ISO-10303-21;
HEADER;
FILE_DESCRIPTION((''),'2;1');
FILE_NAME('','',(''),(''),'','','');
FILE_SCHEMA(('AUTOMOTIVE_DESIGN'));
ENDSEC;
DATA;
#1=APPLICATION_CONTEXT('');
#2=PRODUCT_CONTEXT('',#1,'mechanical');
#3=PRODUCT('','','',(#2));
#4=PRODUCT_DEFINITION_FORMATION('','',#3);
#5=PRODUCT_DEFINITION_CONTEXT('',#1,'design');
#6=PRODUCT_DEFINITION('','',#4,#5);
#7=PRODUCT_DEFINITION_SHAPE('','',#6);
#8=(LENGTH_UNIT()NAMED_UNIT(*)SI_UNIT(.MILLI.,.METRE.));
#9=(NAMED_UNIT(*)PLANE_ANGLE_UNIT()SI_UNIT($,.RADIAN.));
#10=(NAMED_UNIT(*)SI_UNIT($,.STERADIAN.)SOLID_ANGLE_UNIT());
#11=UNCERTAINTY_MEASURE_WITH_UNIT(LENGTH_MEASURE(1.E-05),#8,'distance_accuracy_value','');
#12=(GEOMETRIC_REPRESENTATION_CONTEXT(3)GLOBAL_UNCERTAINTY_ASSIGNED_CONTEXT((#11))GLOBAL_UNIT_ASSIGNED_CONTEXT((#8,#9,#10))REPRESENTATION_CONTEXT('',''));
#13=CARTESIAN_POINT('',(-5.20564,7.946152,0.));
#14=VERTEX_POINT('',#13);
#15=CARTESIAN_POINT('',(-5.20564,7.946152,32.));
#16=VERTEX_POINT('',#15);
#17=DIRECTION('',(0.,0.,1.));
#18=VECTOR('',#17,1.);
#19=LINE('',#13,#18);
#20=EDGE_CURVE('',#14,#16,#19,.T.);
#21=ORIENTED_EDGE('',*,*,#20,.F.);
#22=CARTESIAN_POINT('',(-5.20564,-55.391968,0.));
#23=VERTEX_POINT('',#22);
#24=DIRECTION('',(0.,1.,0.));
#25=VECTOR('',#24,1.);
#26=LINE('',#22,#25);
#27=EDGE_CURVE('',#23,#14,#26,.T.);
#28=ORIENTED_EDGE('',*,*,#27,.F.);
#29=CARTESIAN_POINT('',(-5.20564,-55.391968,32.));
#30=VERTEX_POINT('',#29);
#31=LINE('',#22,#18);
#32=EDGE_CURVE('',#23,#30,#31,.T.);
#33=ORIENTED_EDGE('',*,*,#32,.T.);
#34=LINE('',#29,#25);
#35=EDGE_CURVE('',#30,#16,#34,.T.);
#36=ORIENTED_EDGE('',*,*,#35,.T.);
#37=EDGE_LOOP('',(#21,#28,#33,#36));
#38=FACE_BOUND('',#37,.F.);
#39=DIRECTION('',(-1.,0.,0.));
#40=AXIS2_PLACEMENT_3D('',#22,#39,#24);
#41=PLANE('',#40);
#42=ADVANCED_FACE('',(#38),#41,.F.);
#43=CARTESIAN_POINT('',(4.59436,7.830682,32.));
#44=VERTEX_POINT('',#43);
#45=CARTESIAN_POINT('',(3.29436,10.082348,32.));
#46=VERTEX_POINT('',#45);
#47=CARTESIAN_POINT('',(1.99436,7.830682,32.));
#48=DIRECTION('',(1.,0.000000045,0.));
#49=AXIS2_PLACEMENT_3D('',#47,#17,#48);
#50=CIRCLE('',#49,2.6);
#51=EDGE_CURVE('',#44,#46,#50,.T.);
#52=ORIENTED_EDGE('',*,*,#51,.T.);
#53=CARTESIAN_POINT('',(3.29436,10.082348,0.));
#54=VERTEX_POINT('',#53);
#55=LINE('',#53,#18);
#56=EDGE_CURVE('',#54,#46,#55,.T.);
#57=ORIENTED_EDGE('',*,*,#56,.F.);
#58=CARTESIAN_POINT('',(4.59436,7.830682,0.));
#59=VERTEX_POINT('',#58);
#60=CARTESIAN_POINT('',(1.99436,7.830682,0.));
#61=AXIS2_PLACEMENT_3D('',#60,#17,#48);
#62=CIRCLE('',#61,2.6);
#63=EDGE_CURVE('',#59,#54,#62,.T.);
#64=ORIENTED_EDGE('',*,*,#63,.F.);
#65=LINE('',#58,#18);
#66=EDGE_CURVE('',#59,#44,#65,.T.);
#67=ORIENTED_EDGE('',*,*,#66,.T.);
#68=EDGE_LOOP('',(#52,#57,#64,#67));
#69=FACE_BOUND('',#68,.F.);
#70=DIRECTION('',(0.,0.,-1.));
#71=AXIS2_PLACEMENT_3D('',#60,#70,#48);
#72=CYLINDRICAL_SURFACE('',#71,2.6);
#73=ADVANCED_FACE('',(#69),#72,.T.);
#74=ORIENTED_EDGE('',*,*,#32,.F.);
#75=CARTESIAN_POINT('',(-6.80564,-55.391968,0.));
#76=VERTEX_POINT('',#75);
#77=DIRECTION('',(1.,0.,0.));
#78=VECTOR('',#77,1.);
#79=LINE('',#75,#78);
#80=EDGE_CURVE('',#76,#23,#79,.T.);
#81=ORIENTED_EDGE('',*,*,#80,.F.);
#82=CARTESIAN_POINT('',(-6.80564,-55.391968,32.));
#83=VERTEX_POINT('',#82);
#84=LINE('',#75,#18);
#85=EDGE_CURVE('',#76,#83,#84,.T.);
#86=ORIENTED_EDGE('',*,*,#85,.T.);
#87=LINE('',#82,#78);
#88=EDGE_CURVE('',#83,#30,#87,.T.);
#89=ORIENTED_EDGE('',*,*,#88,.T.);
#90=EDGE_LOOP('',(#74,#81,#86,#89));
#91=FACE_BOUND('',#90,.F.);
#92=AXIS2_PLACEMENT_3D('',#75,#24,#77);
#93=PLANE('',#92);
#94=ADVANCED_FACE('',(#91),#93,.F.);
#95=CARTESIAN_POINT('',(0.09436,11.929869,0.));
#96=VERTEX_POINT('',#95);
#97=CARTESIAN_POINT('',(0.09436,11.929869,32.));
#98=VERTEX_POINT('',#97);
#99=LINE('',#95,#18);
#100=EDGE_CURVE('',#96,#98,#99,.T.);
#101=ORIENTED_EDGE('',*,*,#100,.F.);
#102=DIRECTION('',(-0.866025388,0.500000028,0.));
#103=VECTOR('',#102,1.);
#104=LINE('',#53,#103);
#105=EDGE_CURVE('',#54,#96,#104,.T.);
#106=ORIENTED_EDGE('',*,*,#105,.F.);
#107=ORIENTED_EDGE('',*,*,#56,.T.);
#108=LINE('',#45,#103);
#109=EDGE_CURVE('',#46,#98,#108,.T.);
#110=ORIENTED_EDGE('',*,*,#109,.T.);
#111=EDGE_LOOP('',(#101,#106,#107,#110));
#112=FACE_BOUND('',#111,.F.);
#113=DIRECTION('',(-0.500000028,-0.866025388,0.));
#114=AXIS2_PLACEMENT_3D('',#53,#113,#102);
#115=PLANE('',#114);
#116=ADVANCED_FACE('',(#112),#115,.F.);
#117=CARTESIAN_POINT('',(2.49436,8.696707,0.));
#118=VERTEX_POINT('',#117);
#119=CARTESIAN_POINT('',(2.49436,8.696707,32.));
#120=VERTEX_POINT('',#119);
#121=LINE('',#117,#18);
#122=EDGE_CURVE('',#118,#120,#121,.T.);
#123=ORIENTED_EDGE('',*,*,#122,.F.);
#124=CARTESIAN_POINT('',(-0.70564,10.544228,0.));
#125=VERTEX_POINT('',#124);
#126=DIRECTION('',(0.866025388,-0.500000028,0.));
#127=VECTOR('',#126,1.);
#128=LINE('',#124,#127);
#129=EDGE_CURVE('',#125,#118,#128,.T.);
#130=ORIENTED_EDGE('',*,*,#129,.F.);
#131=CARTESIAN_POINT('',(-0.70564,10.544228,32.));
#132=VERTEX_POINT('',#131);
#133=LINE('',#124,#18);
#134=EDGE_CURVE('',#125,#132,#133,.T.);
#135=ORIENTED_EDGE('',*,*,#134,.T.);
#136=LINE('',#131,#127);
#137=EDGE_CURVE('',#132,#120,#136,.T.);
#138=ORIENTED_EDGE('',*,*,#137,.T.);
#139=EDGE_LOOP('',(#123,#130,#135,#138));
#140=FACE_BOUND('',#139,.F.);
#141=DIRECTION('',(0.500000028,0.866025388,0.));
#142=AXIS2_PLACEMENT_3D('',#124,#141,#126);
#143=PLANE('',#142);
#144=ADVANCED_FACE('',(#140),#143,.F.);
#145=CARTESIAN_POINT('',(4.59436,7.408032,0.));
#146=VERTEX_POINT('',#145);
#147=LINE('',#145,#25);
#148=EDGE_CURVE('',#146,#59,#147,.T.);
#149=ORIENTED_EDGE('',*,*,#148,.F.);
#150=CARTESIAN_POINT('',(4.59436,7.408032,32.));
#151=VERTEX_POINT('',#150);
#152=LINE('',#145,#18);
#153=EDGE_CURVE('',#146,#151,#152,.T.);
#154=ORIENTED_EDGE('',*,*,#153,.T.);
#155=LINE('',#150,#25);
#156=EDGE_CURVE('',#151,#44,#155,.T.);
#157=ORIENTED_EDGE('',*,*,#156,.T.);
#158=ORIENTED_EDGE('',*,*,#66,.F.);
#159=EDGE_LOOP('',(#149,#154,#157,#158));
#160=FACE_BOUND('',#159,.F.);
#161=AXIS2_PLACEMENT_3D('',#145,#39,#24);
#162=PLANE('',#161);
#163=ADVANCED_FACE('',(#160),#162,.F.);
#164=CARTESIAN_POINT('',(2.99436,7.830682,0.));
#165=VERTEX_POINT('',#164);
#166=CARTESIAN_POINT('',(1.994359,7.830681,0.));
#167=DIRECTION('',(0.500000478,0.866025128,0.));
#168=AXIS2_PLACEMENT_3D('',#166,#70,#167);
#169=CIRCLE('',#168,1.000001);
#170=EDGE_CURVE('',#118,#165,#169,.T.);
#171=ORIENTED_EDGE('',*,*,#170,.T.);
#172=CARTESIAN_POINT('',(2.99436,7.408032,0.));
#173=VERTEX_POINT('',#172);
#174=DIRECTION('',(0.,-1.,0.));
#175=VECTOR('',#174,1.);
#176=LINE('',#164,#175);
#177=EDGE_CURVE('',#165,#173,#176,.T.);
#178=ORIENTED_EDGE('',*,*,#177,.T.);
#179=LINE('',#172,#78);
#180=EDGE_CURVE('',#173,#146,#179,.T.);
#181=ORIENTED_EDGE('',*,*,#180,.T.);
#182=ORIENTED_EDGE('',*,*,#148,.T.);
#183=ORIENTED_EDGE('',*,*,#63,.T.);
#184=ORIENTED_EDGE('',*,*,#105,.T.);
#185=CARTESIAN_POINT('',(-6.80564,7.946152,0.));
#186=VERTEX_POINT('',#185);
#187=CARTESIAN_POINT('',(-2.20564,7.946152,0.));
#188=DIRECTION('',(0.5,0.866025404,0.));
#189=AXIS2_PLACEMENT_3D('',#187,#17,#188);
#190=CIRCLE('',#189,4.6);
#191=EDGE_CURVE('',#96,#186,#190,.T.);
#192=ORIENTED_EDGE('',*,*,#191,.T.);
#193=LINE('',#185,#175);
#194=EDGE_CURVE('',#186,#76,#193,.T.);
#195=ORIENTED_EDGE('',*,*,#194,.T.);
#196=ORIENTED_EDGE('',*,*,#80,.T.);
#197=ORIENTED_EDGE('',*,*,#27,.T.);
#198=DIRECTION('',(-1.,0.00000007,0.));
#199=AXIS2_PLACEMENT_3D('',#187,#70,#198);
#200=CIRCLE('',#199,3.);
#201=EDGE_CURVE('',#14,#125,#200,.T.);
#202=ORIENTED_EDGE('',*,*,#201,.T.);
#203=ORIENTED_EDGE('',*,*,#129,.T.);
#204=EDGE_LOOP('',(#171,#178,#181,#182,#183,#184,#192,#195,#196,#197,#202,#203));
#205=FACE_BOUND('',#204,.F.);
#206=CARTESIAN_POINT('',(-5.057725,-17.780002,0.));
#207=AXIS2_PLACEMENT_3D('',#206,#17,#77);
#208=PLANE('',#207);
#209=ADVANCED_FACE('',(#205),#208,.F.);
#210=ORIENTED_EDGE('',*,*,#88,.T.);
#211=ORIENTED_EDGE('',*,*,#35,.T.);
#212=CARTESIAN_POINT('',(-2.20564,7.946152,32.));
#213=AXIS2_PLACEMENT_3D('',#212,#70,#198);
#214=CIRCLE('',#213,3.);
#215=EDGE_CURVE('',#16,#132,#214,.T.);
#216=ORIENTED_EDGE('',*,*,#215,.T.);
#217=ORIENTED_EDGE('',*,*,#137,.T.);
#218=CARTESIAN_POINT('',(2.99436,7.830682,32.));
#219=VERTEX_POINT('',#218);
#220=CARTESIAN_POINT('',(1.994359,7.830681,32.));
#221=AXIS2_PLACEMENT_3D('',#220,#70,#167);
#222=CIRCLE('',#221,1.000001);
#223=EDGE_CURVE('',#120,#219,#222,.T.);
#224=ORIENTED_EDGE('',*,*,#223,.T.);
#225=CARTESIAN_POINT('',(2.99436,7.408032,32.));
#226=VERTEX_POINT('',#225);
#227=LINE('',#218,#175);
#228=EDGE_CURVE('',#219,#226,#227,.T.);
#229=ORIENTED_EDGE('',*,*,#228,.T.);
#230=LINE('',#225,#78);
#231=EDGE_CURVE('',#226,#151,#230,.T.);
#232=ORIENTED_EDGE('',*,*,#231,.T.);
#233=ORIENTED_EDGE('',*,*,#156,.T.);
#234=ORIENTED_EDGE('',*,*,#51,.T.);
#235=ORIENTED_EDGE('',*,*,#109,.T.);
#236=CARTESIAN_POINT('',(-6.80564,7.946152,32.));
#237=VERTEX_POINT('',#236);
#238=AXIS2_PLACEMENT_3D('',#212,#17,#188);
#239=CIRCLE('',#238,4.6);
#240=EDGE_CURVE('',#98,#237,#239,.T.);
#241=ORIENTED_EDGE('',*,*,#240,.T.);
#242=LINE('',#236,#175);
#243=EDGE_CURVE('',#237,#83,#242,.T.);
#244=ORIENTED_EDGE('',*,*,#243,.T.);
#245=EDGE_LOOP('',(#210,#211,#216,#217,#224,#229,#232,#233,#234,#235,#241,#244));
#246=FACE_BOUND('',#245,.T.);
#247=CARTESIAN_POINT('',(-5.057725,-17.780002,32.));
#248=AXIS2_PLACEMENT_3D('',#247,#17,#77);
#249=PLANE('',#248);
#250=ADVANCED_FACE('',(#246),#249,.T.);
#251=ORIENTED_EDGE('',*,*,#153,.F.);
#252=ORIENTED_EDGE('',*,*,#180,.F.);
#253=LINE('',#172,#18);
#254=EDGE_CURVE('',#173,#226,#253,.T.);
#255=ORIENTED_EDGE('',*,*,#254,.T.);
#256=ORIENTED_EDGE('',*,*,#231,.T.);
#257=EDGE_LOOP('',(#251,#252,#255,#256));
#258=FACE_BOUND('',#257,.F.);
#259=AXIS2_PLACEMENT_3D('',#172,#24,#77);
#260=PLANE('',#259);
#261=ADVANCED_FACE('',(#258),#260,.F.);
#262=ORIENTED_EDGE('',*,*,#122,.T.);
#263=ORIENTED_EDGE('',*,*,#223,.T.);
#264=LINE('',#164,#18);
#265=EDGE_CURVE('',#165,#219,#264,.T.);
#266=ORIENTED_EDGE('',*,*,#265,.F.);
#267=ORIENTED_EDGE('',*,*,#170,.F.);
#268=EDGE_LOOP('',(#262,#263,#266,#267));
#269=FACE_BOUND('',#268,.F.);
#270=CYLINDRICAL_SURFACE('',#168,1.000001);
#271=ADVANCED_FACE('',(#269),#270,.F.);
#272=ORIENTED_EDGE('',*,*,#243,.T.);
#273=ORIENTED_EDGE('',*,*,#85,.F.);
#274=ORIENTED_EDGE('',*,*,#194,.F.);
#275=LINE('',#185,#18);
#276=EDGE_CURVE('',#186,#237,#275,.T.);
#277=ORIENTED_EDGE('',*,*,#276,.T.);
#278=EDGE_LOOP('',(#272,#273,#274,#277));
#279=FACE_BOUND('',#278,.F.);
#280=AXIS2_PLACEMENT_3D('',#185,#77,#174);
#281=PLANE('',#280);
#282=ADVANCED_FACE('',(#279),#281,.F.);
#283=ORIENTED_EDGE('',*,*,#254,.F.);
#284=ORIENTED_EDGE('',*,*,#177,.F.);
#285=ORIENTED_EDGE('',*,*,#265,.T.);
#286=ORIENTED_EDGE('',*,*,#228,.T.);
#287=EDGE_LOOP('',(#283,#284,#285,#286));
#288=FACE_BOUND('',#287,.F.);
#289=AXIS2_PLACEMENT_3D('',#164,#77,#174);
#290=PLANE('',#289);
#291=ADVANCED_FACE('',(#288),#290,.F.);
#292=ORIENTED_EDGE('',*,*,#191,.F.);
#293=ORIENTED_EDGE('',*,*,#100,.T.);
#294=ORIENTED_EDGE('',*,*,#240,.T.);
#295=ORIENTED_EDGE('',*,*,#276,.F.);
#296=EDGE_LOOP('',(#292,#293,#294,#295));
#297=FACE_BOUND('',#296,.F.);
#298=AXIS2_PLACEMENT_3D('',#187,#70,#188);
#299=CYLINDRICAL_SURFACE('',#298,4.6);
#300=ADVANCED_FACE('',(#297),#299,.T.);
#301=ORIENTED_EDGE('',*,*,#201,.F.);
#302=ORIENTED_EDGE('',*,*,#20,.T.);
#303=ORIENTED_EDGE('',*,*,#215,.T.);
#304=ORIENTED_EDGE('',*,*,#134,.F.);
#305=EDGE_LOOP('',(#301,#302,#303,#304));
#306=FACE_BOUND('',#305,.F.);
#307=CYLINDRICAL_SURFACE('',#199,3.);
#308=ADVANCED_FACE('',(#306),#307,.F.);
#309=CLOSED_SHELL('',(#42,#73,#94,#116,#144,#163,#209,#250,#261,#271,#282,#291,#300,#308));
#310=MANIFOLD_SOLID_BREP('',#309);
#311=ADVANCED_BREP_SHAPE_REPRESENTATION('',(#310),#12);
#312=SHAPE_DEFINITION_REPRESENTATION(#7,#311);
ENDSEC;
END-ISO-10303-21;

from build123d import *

# Parameters (mm, degrees)
F1_DEPTH = 32


with BuildPart() as f1:
    # F0 (on Top) → F1 (new body)
    with BuildSketch(Plane.XY):
        with BuildLine():
            Line((-6.80564, 7.946152), (-6.80564, -55.391968))
            Line((-6.80564, -55.391968), (-5.20564, -55.391968))
            Line((-5.20564, -55.391968), (-5.20564, 7.946152))
            ThreePointArc((-5.20564, 7.946152), (-3.70564, 10.544228), (-0.70564, 10.544228))
            Line((-0.70564, 10.544228), (2.49436, 8.696707))
            ThreePointArc((2.49436, 8.696707), (2.860385, 8.330682), (2.99436, 7.830682))
            Line((2.99436, 7.830682), (2.99436, 7.408032))
            Line((2.99436, 7.408032), (4.59436, 7.408032))
            Line((4.59436, 7.408032), (4.59436, 7.830682))
            ThreePointArc((4.59436, 7.830682), (4.246026, 9.130682), (3.29436, 10.082348))
            Line((3.29436, 10.082348), (0.09436, 11.929869))
            ThreePointArc((0.09436, 11.929869), (-4.50564, 11.929869), (-6.80564, 7.946152))
        make_face()
    extrude(amount=F1_DEPTH)


solid = f1.part
